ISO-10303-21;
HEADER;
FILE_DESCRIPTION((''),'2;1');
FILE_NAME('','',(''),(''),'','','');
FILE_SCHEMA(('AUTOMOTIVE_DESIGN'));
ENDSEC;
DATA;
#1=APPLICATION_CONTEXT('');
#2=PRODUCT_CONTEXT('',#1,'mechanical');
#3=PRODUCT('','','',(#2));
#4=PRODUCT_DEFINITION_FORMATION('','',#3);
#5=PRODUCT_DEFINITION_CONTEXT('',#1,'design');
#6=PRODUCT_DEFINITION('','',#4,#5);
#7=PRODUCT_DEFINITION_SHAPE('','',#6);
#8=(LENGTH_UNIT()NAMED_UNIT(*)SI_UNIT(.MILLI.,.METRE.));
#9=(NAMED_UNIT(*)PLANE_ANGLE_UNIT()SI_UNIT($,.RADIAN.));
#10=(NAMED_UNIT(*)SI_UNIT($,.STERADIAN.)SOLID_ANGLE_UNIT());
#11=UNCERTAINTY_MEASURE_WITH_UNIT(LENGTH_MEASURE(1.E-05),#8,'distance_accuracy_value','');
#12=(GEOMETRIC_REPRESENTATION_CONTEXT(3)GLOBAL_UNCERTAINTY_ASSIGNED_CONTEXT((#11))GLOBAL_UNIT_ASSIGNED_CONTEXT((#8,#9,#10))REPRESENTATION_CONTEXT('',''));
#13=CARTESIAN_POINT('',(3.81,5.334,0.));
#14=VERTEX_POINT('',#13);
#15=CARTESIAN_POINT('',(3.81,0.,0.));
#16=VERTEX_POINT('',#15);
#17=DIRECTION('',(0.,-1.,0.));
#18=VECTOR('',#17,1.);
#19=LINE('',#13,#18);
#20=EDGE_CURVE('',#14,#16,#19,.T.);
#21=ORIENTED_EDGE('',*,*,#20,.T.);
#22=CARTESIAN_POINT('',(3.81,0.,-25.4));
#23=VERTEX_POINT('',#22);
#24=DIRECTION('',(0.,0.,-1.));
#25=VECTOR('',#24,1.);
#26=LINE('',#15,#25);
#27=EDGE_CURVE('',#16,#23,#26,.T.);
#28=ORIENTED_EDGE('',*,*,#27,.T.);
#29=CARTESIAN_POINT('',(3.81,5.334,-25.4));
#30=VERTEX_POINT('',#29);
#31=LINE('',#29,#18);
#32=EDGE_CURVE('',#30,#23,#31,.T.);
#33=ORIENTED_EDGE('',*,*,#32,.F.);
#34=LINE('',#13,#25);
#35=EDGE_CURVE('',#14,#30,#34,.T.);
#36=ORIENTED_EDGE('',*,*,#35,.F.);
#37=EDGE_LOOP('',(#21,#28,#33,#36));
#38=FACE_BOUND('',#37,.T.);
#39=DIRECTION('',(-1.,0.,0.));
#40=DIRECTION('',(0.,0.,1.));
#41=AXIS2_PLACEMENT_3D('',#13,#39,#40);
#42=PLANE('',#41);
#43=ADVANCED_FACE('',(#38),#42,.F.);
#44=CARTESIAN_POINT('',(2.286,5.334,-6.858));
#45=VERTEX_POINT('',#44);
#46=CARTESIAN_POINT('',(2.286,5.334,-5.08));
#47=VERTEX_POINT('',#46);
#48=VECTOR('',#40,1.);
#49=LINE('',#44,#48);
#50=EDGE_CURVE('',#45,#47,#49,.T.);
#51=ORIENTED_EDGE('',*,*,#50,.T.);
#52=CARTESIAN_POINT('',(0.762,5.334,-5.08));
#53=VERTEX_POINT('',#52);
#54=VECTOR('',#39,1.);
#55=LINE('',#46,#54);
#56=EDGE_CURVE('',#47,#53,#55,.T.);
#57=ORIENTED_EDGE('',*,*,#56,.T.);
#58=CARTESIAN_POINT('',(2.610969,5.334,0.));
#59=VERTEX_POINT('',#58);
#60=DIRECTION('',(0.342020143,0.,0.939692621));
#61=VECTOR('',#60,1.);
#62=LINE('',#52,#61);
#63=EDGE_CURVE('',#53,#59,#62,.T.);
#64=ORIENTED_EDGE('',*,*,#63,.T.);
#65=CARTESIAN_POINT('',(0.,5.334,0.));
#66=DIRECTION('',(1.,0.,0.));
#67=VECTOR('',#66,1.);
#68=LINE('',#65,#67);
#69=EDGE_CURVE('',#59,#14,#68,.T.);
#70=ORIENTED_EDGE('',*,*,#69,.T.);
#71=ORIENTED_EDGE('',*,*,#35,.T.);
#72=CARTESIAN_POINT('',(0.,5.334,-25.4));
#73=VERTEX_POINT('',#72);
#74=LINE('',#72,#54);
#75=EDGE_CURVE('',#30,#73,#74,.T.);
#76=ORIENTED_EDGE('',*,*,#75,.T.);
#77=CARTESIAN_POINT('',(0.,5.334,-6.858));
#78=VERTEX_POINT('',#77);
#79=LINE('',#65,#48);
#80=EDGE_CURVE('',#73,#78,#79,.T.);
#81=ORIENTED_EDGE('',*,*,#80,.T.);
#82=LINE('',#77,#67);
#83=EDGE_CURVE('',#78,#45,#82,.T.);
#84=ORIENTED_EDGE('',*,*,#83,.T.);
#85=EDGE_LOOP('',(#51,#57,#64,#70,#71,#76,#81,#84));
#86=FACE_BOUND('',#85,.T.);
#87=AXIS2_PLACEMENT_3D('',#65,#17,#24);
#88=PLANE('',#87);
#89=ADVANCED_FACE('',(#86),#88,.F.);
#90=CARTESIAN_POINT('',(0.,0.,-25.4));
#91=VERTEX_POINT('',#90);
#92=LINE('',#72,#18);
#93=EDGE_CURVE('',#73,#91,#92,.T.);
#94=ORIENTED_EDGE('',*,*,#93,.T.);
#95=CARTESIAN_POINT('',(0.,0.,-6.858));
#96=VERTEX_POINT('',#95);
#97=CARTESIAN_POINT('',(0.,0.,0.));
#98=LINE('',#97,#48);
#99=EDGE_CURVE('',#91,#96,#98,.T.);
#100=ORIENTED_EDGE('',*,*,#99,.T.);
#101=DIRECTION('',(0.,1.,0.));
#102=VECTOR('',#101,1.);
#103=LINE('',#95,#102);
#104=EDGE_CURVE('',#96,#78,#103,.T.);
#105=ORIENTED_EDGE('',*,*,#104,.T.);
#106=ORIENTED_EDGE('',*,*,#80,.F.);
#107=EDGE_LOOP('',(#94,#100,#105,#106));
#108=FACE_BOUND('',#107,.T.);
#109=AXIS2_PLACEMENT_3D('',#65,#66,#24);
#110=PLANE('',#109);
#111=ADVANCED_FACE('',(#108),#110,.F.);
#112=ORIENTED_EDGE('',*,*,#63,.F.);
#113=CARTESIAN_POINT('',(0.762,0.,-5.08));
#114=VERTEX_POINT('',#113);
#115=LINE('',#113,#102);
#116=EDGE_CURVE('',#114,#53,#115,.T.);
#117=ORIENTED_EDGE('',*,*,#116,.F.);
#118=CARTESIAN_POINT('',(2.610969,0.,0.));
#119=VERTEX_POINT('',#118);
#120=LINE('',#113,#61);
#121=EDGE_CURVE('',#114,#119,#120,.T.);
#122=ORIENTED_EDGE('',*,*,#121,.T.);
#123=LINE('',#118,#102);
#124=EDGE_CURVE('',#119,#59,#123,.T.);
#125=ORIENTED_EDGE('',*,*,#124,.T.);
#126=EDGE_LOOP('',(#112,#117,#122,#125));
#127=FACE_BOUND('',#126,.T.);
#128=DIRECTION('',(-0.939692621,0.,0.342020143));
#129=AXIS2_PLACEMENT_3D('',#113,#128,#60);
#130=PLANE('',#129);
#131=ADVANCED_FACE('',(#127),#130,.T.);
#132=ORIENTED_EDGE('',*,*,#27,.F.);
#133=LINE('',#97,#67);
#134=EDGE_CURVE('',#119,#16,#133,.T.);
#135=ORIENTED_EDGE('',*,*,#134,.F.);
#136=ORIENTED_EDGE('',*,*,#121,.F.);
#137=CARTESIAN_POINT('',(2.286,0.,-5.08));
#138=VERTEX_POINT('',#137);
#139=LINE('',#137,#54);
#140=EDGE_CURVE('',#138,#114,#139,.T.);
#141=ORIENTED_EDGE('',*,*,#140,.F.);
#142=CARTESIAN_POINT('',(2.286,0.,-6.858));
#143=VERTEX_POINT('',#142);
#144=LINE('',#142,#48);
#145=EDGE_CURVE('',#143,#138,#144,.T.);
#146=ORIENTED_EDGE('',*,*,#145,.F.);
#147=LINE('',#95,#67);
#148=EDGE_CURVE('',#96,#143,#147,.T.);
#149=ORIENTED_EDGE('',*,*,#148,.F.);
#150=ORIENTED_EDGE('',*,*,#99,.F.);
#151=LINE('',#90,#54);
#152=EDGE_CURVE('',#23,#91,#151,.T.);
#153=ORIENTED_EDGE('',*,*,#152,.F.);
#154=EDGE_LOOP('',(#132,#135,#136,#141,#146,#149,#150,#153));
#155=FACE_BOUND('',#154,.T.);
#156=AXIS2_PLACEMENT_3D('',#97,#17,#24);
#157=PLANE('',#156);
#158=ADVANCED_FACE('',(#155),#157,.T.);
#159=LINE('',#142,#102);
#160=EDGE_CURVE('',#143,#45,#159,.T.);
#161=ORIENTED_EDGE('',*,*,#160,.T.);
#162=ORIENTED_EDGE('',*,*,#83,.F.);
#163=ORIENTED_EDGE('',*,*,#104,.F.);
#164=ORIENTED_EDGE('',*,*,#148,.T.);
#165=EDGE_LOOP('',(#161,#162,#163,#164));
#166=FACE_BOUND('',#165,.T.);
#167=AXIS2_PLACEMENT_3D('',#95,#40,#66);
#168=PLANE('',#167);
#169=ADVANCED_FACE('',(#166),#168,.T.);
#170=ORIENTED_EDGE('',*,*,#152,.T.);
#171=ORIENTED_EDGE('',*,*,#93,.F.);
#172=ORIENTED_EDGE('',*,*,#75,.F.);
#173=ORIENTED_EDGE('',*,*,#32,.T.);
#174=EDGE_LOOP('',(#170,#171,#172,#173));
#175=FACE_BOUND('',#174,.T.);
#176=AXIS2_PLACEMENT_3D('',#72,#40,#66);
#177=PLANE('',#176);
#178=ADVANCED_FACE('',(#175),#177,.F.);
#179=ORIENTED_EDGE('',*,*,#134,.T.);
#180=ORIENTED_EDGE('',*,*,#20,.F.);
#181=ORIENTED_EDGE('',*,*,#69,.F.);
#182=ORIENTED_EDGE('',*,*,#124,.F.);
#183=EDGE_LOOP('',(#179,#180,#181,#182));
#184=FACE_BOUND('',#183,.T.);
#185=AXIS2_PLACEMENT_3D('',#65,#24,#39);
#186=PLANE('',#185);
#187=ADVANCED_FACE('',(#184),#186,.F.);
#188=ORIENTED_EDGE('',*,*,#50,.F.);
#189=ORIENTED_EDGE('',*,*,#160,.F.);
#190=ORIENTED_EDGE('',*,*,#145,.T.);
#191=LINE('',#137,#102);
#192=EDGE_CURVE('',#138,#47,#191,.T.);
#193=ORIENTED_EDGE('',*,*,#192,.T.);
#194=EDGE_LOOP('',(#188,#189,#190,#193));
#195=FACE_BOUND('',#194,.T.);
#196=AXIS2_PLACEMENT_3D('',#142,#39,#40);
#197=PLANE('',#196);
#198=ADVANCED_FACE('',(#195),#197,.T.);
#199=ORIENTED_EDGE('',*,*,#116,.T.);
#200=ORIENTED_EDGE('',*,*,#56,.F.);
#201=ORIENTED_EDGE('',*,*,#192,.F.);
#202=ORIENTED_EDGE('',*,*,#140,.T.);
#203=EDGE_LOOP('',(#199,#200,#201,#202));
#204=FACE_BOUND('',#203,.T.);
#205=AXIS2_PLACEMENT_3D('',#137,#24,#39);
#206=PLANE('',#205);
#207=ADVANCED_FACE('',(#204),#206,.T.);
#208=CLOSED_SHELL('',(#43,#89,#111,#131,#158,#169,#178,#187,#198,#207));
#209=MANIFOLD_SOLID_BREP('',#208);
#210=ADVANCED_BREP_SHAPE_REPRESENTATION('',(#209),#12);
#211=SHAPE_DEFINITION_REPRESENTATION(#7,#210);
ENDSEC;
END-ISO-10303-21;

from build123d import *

# Parameters (mm, degrees)
SKETCH2_W           = 3.81
SKETCH2_H           = 25.4
BOSS_EXTRUDE1_DEPTH = 5.334
SKETCH3_OUTSIDE_W   = 11.056
SKETCH3_OUTSIDE_H   = 32.646
CUT_EXTRUDE1_DEPTH  = 27.232187404


with BuildPart() as part:
    # Sketch2 → Boss-Extrude1 (new body)
    with BuildSketch(Plane(origin=(0, 0, 0), x_dir=(1, 0, 0), z_dir=(0, 1, 0))):
        with Locations((1.905, 12.7)):
            Rectangle(SKETCH2_W, SKETCH2_H)
    extrude(amount=BOSS_EXTRUDE1_DEPTH)

    # Sketch3 outside → Cut-Extrude1 (cut, through all)
    with BuildSketch(Plane(origin=(0, 5.334, 0), x_dir=(1, 0, 0), z_dir=(0, 1, 0))):
        with Locations((1.905, 12.7)):
            Rectangle(SKETCH3_OUTSIDE_W, SKETCH3_OUTSIDE_H)
        Polygon((0.762, 5.08), (2.61096879, 0), (3.81, 0), (3.81, 25.4), (0, 25.4), (0, 6.858), (2.286, 6.858), (2.286, 5.08), align=None, mode=Mode.SUBTRACT)
    extrude(amount=-CUT_EXTRUDE1_DEPTH, mode=Mode.SUBTRACT)


solid = part.part
